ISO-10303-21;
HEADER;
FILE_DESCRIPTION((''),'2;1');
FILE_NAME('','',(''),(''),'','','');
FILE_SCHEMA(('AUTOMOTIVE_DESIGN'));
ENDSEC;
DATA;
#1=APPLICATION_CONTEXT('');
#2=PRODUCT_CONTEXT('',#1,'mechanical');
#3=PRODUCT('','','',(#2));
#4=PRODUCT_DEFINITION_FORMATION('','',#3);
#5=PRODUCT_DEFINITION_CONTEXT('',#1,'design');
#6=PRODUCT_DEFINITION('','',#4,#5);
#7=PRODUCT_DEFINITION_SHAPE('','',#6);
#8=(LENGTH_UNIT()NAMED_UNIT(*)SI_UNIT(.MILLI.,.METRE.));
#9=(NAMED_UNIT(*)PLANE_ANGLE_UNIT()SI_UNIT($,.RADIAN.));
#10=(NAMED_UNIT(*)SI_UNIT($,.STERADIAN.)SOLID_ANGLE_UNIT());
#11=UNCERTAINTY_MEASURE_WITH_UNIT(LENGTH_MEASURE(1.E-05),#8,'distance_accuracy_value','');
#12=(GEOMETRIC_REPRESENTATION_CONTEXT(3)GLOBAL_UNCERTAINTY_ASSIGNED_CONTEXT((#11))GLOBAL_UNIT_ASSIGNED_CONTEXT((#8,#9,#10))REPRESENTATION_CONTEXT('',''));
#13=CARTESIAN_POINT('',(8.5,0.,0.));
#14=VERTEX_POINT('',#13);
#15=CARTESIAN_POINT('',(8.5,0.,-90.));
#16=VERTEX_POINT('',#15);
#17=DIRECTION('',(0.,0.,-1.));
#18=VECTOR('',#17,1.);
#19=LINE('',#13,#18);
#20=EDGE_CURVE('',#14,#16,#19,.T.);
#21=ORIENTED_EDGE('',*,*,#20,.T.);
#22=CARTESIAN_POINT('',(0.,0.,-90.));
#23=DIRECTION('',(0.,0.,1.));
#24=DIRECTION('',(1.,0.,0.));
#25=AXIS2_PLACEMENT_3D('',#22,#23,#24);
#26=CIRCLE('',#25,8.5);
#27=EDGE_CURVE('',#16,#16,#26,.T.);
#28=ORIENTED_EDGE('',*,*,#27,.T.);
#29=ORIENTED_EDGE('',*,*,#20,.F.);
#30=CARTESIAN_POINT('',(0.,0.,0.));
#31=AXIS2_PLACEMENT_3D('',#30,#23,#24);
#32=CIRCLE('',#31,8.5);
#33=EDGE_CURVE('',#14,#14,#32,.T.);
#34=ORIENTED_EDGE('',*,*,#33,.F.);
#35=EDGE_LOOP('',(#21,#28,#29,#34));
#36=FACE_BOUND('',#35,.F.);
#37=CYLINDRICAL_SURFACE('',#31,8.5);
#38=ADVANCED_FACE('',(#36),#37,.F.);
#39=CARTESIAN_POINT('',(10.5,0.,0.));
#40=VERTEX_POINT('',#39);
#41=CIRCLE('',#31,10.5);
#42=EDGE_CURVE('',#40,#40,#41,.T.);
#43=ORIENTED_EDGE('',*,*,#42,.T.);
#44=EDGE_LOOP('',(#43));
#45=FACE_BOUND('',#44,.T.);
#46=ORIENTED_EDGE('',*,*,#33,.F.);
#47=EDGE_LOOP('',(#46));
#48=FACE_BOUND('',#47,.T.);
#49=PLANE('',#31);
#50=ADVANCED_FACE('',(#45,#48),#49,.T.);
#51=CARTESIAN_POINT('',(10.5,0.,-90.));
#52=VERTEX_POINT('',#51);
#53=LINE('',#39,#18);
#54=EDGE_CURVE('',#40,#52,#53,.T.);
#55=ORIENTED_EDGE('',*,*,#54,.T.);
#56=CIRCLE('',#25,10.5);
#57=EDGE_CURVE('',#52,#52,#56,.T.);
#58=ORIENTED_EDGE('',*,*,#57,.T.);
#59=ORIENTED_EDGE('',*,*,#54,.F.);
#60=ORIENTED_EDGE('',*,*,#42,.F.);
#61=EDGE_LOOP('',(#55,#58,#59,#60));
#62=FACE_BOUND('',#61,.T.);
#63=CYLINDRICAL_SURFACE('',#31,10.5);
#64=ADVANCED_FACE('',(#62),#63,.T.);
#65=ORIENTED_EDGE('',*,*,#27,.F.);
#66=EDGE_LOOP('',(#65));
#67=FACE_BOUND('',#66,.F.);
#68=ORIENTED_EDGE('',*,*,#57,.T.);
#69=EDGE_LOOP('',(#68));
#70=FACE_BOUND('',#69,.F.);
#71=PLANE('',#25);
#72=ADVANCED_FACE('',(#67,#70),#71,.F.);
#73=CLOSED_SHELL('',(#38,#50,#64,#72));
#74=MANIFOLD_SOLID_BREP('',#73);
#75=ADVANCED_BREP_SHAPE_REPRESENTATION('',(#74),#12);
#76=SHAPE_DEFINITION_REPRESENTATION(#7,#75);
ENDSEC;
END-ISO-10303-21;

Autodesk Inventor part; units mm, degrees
ref_plane "YZ Plane" through (0, 0, 0) normal (1, 0, 0) x (0, 1, 0)
ref_plane "XZ Plane" through (0, 0, 0) normal (0, 1, 0) x (-1, 0, 0)
ref_plane "XY Plane" through (0, 0, 0) normal (0, 0, 1) x (1, 0, 0)
sketch "Sketch11" plane through (0, 0, 0) normal (0, 0, 1) x (1, 0, 0)
  circle A0 centre (0, 0) radius 10.5
  circle A1 centre (0, 0) radius 8.5
  dimension "d187" = 21
  dimension "d188" = 2
extrude "Extrusion5" add sketch "Sketch11" against normal blind 90
properties part number "PNS 1756 FDS 1200 way tube 6_1600" material "Stainless Steel"
